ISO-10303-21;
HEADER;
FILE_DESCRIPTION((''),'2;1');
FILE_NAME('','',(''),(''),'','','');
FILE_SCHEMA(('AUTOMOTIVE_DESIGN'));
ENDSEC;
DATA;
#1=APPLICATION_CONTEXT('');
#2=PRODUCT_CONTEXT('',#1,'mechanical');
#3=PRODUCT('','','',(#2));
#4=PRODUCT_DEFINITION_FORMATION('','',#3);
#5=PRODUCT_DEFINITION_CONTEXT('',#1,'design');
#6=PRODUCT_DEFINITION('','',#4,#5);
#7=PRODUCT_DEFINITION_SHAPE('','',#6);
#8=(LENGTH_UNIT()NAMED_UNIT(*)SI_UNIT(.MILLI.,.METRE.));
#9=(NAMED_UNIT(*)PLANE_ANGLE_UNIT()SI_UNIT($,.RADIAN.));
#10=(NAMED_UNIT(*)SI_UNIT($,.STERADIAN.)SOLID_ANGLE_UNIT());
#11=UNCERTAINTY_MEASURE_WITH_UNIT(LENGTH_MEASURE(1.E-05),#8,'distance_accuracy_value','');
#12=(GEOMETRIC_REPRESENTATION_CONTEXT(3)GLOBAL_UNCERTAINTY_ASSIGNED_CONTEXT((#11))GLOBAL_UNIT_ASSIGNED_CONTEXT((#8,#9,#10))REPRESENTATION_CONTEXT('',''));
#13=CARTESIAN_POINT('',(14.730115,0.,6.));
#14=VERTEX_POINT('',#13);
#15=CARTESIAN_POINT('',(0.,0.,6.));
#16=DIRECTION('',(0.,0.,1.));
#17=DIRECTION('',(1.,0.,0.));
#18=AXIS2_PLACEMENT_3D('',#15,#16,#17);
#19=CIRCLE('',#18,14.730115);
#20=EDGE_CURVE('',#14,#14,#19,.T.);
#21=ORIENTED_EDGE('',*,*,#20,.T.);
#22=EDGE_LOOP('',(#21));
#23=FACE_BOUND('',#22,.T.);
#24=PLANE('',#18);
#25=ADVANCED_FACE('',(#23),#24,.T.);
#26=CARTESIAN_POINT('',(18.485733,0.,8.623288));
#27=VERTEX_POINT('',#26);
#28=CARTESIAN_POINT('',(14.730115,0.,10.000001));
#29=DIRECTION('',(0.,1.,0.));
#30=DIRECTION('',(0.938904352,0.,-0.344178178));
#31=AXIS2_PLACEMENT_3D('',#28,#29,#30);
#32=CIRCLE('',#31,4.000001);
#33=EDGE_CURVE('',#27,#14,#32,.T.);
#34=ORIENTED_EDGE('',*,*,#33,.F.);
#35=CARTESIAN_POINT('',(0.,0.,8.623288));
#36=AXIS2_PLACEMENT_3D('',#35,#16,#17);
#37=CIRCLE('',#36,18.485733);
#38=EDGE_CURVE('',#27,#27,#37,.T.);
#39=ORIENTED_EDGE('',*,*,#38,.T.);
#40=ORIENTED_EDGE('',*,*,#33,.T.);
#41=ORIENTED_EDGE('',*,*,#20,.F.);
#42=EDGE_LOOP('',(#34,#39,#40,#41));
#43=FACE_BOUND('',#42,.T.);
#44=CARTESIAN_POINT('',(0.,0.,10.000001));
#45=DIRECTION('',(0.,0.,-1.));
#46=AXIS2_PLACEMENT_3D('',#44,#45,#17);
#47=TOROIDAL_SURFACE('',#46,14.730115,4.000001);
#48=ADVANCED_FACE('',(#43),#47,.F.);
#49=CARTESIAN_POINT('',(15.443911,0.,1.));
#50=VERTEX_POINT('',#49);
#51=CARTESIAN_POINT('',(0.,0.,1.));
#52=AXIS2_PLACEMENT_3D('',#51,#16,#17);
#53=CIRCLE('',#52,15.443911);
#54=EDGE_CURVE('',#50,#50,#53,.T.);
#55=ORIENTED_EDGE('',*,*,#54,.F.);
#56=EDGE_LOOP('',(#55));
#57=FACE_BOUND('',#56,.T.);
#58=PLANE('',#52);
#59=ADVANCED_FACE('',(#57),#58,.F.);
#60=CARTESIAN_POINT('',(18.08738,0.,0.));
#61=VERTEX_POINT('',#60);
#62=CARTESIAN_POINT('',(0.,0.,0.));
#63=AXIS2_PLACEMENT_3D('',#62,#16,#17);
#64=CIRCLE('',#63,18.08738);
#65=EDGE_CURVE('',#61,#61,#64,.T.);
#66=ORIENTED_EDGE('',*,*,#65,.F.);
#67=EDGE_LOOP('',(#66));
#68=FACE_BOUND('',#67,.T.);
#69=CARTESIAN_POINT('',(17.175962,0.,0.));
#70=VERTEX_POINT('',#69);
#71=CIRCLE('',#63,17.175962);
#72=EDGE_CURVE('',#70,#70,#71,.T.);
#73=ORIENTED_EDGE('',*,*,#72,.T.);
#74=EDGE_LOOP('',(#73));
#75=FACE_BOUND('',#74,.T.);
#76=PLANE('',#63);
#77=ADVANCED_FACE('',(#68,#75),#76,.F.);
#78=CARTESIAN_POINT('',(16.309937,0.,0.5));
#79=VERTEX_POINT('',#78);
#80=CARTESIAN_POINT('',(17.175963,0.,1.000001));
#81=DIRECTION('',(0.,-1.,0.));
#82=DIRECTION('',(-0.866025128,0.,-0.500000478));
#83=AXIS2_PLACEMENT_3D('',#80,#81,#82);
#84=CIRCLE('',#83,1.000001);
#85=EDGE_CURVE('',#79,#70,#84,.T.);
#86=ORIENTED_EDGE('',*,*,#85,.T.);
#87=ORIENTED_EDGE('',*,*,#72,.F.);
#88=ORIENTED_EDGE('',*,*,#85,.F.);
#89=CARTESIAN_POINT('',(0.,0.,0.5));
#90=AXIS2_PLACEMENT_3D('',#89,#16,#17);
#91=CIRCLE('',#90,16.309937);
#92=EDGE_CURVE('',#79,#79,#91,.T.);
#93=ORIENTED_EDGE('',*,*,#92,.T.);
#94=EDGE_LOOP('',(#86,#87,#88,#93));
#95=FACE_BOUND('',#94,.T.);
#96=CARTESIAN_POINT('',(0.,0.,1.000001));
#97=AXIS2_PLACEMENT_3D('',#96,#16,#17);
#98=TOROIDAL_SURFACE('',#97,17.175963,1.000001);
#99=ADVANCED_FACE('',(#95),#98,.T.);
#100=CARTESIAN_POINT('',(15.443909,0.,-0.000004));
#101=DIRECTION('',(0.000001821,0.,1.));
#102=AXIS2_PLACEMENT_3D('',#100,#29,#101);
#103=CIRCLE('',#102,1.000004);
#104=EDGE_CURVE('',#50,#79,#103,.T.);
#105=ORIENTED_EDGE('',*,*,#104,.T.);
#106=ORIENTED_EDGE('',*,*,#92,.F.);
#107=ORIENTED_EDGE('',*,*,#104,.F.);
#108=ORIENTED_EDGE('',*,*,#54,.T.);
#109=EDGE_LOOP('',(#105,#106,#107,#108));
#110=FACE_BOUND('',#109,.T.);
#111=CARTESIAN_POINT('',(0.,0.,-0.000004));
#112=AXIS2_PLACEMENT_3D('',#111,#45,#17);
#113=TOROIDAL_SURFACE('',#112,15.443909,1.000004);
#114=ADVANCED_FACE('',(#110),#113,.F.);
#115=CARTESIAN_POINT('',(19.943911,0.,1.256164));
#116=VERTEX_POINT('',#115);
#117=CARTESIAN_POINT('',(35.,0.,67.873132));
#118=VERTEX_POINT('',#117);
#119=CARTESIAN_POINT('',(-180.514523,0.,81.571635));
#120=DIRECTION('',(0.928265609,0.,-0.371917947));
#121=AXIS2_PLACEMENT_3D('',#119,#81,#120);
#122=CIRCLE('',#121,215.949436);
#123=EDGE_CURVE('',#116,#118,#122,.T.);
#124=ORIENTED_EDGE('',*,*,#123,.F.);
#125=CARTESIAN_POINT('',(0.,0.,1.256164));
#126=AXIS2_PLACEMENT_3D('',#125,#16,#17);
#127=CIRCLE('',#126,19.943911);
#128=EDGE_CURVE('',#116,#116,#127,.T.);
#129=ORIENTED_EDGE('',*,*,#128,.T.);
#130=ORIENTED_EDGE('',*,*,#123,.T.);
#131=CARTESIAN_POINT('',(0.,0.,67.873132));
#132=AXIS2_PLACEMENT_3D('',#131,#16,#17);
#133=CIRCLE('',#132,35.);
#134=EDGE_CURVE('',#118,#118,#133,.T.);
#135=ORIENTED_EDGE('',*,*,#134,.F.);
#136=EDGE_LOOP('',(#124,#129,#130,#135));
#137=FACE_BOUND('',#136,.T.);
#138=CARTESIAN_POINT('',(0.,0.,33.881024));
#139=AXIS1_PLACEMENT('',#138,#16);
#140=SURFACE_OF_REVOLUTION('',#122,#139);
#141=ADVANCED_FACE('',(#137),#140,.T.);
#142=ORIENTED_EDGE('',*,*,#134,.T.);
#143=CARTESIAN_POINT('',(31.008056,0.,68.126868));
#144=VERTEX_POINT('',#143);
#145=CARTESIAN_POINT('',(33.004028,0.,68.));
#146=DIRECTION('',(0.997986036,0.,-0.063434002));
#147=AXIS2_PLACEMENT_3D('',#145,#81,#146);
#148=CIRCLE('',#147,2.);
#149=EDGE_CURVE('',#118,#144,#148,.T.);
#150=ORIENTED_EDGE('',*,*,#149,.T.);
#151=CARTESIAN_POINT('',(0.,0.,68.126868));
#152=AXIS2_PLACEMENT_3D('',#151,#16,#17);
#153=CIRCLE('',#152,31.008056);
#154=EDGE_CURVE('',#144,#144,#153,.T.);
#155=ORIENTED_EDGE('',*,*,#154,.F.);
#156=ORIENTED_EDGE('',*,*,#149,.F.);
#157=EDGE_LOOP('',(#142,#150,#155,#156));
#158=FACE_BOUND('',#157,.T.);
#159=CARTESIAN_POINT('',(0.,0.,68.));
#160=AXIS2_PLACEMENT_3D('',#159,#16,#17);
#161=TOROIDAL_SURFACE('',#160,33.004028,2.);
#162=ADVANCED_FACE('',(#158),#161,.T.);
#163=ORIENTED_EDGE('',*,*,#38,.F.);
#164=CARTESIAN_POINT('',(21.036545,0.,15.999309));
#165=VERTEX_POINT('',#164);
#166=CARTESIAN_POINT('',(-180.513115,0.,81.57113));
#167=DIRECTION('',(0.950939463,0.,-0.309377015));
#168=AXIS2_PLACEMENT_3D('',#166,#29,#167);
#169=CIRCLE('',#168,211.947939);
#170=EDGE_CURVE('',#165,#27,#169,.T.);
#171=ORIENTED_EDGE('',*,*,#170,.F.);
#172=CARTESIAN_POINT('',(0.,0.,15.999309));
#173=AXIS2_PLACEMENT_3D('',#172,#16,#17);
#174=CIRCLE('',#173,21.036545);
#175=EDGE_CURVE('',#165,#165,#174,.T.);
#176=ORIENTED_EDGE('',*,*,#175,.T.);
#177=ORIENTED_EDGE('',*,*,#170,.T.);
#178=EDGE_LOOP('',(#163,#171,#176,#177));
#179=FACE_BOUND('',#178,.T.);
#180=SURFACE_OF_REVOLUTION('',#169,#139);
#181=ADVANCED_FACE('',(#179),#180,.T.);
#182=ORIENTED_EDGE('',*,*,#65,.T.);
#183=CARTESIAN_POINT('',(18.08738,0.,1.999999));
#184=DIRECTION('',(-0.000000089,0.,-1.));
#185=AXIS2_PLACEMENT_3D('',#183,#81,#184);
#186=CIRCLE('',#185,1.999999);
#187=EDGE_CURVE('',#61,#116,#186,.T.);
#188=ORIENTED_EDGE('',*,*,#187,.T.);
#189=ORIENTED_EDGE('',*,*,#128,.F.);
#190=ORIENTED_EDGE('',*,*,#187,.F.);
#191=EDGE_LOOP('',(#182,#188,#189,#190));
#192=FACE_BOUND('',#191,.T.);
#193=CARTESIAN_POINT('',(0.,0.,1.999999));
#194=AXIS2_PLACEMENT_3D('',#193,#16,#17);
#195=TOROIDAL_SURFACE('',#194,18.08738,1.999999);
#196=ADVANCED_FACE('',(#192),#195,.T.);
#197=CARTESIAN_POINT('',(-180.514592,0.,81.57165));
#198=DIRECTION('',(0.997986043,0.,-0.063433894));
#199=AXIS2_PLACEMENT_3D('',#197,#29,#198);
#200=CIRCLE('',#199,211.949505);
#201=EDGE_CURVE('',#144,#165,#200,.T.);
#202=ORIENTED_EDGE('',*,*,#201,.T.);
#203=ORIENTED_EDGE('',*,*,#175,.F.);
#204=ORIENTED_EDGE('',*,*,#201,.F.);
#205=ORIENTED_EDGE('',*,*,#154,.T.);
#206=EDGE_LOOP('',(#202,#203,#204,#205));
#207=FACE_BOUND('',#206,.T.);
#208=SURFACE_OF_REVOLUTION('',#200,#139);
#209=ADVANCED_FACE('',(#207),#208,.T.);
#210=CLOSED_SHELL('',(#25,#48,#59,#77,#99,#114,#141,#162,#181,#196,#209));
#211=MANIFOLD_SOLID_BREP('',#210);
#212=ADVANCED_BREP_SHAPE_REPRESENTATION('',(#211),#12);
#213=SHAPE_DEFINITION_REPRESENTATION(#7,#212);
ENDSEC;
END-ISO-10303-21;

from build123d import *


with BuildPart() as f1:
    # F0 (on Front) → F1 (revolve)
    with BuildSketch(Plane.XZ):
        with BuildLine():
            Line((0, 6), (0, 1))
            Line((0, 1), (15.443911, 1))
            ThreePointArc((15.443911, 1), (15.943911, 0.866025), (16.309937, 0.5))
            ThreePointArc((16.309937, 0.5), (16.675962, 0.133975), (17.175962, 0))
            Line((17.175962, 0), (18.08738, 0))
            ThreePointArc((18.08738, 0), (19.208167, 0.343547), (19.943911, 1.256164))
            ThreePointArc((19.943911, 1.256164), (30.122203, 33.965666), (35, 67.873132))
            ThreePointArc((35, 67.873132), (33.130896, 69.995972), (31.008056, 68.126868))
            ThreePointArc((31.008056, 68.126868), (27.660355, 41.749744), (21.036545, 15.999309))
            ThreePointArc((21.036545, 15.999309), (19.795093, 12.299556), (18.485733, 8.623288))
            ThreePointArc((18.485733, 8.623288), (17.020656, 6.720759), (14.730115, 6))
            Line((14.730115, 6), (0, 6))
        make_face()
    revolve(axis=Axis((0, 0, 33.881024), (0, 0, 1)))


solid = f1.part
